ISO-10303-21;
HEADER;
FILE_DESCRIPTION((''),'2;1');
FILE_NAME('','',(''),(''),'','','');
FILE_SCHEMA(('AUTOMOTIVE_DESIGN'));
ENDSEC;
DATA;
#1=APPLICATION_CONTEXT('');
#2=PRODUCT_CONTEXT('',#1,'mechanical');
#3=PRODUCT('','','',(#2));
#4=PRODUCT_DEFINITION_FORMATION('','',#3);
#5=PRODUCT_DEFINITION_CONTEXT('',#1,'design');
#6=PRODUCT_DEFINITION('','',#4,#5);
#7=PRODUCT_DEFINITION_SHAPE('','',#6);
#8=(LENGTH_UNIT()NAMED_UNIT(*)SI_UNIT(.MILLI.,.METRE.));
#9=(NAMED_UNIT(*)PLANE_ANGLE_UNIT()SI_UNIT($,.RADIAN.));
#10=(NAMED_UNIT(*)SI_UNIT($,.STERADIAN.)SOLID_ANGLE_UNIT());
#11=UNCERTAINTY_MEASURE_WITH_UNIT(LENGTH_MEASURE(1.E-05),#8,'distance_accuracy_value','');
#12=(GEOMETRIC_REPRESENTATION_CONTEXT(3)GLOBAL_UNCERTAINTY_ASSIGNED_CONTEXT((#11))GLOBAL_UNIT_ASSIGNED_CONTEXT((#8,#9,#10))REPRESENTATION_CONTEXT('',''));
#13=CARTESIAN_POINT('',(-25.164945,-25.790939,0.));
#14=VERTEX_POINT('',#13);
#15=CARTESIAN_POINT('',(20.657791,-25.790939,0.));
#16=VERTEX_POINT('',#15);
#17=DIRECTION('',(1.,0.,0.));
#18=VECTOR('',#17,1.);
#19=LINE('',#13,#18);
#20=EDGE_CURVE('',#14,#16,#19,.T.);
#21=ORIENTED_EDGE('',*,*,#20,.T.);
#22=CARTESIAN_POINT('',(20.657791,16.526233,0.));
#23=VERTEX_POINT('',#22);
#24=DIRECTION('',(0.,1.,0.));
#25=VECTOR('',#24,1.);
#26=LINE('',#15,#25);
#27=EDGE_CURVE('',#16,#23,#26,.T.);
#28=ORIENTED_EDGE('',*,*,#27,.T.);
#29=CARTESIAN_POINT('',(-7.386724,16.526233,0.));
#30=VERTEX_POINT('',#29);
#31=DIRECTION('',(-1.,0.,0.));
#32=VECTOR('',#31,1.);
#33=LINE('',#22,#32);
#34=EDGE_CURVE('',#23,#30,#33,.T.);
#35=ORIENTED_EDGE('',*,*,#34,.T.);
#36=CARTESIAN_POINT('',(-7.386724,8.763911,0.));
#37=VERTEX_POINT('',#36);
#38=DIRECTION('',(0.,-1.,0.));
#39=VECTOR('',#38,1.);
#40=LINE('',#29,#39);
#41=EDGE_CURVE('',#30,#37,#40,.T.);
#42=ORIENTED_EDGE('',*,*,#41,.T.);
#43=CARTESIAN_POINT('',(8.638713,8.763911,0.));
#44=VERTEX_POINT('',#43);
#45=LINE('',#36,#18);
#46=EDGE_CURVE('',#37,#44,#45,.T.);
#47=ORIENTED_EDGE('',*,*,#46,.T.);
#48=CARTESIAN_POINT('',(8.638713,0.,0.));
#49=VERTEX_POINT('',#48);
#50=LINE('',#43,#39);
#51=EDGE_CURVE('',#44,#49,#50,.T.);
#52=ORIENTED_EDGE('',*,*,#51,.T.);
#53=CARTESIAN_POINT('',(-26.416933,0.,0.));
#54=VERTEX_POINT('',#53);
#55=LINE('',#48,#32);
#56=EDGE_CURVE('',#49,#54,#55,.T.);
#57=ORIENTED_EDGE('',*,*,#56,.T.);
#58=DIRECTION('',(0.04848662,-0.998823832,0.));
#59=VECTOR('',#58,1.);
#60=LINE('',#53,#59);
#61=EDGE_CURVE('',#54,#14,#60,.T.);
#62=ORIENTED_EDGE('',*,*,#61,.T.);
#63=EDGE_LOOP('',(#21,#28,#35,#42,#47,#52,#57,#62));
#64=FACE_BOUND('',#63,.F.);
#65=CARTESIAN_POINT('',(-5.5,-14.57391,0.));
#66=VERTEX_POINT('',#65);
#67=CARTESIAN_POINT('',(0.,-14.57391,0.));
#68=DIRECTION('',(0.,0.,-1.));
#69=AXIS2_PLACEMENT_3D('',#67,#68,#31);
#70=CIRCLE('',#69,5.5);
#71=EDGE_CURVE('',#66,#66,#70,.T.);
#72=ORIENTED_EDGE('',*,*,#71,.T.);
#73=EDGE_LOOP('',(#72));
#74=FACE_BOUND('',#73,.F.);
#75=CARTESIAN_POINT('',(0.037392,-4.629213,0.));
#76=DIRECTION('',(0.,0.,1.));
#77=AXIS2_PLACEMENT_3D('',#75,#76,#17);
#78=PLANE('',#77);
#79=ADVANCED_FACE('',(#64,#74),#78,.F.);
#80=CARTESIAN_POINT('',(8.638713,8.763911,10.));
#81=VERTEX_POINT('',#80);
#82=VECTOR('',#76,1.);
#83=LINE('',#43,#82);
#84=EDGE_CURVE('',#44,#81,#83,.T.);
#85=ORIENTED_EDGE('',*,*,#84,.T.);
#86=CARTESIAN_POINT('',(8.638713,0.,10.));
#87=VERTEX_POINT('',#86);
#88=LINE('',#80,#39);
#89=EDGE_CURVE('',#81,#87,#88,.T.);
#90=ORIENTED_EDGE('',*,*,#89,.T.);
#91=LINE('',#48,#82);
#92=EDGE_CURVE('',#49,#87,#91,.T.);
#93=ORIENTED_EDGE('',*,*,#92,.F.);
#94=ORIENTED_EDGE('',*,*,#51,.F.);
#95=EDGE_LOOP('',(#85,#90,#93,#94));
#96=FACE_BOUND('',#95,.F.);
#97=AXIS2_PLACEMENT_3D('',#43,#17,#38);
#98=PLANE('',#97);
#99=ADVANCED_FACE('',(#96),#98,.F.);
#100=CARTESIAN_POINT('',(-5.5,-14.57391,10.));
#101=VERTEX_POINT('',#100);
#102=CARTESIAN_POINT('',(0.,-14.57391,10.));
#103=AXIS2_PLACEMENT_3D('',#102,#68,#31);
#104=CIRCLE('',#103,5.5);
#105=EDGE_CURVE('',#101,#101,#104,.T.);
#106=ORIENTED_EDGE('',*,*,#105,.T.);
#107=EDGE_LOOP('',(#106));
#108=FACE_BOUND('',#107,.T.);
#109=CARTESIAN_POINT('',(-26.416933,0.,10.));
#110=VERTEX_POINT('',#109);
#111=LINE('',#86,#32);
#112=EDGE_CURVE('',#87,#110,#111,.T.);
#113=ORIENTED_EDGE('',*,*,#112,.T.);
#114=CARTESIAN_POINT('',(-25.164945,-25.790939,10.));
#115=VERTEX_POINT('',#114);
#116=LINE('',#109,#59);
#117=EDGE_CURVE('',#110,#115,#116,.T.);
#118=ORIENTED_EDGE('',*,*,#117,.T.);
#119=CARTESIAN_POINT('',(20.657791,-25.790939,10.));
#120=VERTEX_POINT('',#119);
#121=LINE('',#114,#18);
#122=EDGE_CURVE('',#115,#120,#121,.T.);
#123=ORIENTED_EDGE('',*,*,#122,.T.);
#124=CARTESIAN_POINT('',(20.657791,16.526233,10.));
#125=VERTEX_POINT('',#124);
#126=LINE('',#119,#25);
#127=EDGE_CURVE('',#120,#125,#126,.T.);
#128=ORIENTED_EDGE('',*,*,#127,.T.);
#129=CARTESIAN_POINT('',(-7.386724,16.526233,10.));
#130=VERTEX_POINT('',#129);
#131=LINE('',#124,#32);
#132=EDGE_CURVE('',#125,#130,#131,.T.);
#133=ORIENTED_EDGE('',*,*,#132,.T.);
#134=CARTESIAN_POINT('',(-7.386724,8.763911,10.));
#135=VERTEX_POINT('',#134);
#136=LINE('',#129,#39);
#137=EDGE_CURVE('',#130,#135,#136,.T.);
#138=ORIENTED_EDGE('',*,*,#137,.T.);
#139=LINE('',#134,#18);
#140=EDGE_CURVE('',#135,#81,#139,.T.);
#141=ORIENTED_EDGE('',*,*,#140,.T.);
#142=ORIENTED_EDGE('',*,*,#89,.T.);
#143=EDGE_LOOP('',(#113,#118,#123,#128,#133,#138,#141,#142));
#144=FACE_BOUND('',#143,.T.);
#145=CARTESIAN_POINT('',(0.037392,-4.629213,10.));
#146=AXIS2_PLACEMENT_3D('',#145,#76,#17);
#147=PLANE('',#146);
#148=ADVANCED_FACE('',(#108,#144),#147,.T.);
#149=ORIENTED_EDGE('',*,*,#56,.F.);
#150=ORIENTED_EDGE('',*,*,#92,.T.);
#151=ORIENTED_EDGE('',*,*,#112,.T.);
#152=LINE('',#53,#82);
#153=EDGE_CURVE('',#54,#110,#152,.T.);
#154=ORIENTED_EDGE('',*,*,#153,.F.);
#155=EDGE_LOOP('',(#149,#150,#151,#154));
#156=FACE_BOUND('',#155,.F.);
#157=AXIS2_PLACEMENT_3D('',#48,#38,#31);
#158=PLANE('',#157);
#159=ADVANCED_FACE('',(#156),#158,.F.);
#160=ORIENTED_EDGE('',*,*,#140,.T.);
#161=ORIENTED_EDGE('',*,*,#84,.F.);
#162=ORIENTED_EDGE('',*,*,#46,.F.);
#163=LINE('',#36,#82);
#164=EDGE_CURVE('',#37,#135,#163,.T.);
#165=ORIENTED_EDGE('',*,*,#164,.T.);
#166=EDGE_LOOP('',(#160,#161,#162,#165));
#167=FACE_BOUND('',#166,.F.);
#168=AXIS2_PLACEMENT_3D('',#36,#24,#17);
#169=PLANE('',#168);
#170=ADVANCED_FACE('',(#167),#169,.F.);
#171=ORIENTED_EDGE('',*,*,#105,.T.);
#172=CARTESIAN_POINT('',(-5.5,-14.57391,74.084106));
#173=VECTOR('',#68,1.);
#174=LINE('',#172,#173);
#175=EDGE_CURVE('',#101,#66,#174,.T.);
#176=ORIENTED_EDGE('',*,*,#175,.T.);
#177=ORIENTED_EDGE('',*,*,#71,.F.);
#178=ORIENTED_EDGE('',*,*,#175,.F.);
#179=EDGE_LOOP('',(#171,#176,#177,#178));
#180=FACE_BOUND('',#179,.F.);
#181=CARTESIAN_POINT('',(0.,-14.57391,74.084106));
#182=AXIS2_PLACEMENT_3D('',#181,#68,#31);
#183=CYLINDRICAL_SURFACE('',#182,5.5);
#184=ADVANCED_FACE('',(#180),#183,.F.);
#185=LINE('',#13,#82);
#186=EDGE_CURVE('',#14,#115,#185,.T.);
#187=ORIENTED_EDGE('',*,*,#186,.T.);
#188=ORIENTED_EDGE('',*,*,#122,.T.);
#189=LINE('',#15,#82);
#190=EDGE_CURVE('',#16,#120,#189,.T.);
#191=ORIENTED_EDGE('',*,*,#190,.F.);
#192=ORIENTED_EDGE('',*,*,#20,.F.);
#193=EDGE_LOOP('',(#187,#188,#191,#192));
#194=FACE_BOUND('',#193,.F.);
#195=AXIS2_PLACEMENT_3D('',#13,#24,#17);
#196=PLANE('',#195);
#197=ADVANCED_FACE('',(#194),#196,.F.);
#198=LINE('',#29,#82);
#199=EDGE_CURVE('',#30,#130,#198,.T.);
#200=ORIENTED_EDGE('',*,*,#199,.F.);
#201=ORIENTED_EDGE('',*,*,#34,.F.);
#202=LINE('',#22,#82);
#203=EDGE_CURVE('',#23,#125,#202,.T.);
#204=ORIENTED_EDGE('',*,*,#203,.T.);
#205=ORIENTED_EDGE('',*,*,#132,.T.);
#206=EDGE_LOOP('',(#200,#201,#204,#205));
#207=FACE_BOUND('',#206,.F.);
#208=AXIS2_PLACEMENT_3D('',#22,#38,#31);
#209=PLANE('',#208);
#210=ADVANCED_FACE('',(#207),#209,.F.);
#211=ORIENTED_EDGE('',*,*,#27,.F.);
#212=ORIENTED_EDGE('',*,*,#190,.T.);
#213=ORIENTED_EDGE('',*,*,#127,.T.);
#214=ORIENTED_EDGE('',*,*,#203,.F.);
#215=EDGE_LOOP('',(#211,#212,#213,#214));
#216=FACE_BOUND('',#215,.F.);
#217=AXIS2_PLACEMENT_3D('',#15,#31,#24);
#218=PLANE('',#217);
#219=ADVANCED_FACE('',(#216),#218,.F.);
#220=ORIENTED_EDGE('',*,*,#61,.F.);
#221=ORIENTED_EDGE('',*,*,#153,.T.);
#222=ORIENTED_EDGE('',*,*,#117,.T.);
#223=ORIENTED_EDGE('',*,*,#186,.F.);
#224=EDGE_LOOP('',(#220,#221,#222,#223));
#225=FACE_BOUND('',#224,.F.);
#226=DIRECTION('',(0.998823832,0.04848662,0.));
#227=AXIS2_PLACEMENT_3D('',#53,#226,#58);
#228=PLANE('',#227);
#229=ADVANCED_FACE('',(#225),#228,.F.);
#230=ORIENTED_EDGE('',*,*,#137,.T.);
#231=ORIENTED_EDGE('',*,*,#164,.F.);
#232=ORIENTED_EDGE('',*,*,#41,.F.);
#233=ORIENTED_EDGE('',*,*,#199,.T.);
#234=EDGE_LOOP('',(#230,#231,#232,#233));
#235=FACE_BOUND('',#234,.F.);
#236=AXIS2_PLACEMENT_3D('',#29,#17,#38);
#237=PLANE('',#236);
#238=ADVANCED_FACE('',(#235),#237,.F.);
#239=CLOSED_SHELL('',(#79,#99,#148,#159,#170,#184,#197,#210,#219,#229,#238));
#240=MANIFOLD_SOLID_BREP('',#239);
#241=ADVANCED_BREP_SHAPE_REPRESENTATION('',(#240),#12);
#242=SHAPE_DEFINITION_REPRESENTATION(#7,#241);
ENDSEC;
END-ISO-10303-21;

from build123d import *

# Parameters (mm, degrees)
F1_DEPTH = 10
F3_D     = 11


with BuildPart() as f1:
    # F0 (on Top) → F1 (new body)
    with BuildSketch(Plane.XY):
        Polygon((-26.416933, 0), (-25.164945, -25.790939), (20.657791, -25.790939), (20.657791, 16.526233), (-7.386724, 16.526233), (-7.386724, 8.763911), (8.638713, 8.763911), (8.638713, 0), (0, 0), align=None)
    extrude(amount=F1_DEPTH)

    # F3 (through all)
    with Locations(Plane.XY.offset(10)):
        with Locations((0, -14.57391)):
            Hole(F3_D / 2)


solid = f1.part
